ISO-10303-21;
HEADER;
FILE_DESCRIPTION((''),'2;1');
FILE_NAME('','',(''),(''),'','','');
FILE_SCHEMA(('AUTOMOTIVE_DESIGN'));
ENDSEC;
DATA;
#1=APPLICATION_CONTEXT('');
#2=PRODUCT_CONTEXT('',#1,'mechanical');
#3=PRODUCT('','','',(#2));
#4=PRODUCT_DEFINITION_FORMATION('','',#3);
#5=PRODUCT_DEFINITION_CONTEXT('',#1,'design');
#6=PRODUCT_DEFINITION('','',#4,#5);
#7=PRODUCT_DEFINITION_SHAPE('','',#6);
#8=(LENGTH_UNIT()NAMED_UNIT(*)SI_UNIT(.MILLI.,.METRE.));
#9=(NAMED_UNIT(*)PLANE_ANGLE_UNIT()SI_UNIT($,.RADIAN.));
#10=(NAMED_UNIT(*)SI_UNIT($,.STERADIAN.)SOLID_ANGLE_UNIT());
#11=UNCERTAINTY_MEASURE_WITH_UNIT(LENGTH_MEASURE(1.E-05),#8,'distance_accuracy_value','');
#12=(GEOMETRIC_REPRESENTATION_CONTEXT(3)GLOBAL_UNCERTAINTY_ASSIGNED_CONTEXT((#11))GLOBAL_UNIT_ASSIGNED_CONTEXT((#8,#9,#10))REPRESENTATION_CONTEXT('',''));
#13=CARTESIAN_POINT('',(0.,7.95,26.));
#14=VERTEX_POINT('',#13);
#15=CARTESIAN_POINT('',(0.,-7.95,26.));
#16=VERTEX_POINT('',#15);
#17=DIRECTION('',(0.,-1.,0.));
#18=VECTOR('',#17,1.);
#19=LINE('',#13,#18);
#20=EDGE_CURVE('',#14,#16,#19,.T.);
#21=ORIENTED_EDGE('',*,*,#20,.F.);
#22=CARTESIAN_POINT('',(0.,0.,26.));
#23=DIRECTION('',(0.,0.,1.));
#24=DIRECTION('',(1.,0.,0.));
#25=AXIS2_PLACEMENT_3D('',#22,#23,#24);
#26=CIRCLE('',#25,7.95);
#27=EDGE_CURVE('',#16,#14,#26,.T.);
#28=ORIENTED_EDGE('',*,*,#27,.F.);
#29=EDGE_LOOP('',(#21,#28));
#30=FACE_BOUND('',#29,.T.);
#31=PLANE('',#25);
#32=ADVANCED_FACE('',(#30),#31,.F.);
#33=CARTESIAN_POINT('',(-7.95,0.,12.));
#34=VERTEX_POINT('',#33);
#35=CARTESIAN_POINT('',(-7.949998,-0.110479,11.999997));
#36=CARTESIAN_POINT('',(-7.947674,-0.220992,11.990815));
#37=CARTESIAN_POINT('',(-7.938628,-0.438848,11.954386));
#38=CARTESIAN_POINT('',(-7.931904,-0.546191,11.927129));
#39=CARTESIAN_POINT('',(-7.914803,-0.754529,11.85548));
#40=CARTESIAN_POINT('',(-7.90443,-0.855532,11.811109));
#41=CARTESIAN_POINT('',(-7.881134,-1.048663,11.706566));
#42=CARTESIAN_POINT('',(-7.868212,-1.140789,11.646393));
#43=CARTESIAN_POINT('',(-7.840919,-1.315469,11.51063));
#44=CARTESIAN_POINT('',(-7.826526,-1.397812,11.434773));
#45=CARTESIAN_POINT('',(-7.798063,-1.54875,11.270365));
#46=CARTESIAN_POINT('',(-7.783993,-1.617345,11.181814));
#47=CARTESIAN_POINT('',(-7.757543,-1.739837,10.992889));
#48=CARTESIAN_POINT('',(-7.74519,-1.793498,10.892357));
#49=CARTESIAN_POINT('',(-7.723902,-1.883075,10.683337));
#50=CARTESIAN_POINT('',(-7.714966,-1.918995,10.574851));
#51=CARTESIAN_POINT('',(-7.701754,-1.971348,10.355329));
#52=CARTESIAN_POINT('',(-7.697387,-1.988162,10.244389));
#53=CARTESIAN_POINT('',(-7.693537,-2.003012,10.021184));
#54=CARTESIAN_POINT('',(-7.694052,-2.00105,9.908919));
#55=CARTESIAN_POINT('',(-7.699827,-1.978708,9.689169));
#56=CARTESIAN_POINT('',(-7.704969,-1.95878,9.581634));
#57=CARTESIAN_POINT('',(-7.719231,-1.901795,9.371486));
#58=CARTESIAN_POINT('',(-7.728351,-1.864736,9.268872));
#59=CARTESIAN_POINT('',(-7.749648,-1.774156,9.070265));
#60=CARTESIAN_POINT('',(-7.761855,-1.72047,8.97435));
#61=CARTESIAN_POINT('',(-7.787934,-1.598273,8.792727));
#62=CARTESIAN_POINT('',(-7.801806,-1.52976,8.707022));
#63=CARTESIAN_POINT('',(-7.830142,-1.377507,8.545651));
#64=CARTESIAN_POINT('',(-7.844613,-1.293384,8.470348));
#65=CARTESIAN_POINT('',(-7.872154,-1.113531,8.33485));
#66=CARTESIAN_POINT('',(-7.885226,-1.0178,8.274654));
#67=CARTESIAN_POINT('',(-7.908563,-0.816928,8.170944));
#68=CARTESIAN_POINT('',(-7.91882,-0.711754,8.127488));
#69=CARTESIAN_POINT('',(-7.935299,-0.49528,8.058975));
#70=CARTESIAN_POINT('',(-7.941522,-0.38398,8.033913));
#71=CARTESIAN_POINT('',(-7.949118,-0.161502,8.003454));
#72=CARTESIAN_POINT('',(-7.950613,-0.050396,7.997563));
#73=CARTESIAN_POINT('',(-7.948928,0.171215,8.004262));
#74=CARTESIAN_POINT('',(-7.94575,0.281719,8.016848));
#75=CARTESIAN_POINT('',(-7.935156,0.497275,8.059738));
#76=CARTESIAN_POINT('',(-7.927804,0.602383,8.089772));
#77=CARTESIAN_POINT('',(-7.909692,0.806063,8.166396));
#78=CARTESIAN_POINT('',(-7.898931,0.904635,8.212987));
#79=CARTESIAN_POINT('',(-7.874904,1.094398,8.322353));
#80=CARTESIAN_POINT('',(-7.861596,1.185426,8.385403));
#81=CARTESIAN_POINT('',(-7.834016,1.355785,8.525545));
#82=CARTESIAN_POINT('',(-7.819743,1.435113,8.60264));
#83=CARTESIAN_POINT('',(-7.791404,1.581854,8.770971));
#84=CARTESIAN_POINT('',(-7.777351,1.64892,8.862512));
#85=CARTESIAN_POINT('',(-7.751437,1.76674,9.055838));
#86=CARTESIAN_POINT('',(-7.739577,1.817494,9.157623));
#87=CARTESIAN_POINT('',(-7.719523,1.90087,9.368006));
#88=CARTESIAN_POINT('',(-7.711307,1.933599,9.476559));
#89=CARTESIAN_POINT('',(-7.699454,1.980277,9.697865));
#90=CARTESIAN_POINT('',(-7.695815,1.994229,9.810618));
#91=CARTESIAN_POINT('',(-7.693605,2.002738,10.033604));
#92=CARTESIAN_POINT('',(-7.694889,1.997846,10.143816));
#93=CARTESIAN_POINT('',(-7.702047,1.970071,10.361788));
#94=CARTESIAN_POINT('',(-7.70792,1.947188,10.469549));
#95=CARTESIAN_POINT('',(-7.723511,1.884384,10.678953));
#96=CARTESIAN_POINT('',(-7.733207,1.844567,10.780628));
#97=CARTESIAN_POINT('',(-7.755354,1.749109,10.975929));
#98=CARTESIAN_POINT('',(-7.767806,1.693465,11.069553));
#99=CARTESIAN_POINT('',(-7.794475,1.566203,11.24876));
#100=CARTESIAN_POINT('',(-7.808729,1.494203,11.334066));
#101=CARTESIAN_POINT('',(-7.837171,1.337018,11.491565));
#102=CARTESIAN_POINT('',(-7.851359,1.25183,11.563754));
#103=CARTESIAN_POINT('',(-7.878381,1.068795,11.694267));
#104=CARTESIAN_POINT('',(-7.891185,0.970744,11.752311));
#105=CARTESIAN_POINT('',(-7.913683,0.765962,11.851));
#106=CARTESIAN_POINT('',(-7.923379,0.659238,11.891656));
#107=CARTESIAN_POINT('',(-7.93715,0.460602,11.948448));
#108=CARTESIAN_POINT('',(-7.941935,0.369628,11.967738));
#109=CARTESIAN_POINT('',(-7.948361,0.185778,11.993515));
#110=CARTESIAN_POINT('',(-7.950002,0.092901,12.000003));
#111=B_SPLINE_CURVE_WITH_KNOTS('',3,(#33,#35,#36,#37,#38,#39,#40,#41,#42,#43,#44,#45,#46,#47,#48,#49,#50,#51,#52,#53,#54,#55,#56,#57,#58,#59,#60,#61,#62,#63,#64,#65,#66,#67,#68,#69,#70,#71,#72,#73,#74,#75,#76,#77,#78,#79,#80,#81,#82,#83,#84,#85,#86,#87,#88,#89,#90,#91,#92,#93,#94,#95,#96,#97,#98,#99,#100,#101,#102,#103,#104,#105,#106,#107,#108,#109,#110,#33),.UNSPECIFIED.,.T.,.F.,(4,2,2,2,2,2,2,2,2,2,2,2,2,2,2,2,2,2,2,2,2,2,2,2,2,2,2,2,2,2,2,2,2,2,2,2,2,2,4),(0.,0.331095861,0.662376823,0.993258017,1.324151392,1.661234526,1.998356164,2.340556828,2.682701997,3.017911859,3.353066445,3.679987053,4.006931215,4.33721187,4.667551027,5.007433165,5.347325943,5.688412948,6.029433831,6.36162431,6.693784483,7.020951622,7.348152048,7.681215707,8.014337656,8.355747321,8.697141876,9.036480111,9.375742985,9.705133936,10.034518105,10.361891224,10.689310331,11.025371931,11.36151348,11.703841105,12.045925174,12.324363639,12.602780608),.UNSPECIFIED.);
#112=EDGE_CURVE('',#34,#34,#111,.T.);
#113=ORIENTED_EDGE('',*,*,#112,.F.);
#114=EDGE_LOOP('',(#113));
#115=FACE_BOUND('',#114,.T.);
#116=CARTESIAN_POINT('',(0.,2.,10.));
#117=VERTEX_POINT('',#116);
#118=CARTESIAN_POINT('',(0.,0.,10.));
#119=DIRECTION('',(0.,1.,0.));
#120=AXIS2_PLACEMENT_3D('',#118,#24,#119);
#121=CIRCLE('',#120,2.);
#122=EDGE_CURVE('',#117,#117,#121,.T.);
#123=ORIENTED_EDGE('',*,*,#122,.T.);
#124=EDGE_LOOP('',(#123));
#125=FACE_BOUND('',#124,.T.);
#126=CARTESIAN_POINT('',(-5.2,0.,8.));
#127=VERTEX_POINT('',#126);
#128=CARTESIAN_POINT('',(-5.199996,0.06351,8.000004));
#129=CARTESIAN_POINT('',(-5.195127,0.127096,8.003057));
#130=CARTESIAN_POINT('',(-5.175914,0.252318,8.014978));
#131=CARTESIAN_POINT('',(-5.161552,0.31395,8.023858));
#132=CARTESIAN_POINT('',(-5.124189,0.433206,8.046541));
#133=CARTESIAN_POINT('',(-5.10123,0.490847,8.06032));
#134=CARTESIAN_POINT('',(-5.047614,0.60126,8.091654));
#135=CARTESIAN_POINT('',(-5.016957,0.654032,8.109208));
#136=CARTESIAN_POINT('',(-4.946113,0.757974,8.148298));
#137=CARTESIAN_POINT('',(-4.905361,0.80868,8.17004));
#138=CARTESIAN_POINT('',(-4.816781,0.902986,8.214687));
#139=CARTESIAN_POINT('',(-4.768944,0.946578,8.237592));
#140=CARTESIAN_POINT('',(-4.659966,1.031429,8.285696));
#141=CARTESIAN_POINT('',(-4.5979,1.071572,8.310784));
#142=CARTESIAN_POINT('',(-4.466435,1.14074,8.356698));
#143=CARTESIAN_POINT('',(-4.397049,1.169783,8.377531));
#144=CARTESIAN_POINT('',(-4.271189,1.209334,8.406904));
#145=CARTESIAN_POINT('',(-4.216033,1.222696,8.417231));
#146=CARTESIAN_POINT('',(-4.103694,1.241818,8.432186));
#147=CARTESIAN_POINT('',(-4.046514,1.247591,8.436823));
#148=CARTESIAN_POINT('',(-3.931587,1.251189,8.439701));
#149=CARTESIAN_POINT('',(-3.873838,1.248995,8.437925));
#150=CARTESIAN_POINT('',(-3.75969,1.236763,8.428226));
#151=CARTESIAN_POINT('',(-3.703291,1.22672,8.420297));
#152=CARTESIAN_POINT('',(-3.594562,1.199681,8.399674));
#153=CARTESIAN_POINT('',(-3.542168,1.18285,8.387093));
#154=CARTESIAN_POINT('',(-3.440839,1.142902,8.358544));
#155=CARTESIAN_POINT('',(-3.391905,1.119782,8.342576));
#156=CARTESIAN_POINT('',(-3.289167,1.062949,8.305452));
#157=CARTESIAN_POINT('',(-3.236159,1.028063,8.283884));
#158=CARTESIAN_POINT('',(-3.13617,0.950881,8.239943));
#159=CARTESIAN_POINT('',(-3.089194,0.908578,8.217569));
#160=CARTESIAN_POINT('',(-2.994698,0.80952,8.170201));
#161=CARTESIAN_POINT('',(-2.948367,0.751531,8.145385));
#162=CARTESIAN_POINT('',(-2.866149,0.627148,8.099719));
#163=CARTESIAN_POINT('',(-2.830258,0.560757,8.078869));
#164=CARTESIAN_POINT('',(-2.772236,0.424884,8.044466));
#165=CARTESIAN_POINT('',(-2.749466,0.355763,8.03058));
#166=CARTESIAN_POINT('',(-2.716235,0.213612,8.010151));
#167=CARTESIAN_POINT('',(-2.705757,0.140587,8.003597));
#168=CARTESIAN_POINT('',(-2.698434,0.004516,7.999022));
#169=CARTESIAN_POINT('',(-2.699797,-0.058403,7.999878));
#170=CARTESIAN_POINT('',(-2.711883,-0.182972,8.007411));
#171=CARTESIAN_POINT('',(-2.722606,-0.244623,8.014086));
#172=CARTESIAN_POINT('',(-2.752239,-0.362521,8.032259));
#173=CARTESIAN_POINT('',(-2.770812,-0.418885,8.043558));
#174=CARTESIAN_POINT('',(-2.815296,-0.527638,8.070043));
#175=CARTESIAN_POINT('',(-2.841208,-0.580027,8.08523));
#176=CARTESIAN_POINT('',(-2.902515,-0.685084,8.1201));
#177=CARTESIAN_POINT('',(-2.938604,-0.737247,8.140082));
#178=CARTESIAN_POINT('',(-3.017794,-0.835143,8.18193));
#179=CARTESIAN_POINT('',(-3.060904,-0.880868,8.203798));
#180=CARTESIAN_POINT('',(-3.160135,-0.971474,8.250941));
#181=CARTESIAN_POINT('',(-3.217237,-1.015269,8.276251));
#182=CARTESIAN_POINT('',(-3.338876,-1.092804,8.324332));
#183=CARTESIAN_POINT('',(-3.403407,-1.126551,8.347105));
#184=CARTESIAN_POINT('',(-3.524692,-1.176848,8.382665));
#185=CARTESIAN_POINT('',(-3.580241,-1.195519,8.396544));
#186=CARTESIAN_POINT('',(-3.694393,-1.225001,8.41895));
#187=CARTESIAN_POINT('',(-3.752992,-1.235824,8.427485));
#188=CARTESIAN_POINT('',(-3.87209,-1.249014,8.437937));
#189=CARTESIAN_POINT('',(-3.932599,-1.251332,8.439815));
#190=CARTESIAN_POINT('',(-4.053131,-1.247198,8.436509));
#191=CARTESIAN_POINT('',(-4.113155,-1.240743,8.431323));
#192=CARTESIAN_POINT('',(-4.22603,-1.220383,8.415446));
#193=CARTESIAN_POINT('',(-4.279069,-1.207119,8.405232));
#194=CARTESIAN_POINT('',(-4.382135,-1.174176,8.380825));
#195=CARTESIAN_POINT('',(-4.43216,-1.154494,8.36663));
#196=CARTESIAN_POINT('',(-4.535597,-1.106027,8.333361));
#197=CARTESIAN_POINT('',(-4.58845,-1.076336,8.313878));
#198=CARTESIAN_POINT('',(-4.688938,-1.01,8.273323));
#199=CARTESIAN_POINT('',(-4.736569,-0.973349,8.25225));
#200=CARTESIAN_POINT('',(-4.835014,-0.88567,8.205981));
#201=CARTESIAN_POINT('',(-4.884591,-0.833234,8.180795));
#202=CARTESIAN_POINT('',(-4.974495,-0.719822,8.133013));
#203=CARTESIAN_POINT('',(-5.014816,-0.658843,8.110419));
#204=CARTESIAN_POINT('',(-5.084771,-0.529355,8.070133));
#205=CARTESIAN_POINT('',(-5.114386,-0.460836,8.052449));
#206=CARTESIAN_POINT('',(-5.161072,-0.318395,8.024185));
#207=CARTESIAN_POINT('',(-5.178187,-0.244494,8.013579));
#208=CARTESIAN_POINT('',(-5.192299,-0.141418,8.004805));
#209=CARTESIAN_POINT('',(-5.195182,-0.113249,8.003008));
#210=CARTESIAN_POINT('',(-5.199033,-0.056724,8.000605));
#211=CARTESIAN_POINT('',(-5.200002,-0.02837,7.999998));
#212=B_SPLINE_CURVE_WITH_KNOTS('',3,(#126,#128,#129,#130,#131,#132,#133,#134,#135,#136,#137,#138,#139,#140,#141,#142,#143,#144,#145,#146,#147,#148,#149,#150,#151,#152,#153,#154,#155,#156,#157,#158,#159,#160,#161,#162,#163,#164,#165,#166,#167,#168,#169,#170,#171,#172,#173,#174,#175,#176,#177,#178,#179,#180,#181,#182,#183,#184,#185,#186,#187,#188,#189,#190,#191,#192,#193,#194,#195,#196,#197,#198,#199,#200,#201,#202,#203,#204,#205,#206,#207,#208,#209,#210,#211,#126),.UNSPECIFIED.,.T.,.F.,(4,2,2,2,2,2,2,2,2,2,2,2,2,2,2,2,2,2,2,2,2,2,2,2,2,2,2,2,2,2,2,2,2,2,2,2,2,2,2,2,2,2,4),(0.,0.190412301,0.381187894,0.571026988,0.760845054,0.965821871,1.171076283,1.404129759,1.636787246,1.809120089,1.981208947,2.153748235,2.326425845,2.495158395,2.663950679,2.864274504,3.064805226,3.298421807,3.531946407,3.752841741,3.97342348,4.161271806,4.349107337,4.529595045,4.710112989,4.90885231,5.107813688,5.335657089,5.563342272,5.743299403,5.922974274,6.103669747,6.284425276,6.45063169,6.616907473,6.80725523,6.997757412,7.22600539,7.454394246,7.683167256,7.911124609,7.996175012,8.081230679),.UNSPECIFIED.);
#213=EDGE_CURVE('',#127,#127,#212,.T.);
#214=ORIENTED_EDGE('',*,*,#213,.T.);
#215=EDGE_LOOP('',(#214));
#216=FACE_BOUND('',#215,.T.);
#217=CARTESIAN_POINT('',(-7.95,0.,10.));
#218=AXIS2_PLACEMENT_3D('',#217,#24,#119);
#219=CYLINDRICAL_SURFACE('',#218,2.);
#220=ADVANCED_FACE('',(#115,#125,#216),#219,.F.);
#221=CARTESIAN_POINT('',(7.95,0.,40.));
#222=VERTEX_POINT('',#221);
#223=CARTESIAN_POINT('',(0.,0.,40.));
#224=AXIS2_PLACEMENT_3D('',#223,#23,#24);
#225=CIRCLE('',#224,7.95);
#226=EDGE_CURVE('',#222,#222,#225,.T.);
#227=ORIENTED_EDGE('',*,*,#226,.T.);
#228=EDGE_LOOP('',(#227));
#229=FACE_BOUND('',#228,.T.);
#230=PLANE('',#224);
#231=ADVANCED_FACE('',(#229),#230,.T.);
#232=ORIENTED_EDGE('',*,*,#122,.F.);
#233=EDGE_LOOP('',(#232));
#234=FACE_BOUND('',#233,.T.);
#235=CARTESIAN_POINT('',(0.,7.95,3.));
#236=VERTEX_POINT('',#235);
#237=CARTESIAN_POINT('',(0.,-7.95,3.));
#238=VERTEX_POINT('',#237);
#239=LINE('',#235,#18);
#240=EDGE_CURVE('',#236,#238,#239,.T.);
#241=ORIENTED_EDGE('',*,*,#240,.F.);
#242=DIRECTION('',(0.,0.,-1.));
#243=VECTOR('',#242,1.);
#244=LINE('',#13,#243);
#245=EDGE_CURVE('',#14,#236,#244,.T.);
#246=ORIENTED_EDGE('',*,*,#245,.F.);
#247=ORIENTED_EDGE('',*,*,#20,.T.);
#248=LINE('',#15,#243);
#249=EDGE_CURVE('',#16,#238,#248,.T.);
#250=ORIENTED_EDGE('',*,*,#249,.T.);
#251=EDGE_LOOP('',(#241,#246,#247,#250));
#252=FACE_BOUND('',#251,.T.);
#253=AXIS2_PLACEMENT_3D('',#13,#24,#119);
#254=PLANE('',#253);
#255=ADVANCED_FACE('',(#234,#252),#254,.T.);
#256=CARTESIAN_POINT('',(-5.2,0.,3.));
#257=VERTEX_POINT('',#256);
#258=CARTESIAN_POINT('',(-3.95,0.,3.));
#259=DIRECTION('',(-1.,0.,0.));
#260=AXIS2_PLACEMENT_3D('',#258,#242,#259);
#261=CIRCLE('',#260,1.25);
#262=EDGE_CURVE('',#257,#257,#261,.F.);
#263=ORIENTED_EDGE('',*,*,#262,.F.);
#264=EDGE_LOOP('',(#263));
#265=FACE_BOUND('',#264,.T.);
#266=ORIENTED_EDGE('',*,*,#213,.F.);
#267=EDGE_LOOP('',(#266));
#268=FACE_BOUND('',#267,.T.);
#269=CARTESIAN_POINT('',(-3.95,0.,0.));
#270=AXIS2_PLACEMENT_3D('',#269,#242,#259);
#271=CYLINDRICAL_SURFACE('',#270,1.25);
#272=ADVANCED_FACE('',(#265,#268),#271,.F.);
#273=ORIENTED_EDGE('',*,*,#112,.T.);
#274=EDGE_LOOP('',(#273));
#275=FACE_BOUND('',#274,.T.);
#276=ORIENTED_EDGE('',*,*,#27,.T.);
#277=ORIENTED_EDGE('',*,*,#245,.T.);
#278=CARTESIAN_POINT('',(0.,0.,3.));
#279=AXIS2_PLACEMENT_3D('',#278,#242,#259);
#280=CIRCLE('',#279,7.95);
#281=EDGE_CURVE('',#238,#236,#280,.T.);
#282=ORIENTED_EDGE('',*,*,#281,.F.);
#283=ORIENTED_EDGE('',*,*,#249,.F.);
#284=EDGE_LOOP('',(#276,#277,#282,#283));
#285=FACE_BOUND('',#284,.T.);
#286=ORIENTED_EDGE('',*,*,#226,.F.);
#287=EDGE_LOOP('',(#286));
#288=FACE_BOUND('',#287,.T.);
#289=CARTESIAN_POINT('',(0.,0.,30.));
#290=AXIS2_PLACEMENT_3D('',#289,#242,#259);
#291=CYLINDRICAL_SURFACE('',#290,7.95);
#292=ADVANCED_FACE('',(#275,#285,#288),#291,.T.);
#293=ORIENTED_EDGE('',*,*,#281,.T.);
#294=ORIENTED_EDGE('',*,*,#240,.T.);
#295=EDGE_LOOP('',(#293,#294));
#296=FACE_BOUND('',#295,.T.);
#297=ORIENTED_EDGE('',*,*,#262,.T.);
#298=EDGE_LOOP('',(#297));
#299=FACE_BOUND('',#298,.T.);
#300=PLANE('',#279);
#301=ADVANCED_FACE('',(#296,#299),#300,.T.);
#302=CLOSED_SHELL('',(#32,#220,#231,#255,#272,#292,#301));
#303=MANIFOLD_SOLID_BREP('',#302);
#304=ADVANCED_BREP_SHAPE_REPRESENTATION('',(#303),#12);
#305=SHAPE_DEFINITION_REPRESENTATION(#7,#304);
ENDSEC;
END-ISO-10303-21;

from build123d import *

# Parameters (mm, degrees)
SKETCH_1_R          = 7.95
EXTRUDE_1_DEPTH     = 30
SKETCH_2_R          = 7.95
EXTRUDE_2_DEPTH     = 10
SKETCH_3_W          = 7.95
SKETCH_3_H          = 15.9
CUT_EXTRUDE_1_DEPTH = 26
SKETCH_4_R          = 2
CUT_EXTRUDE_2_DEPTH = 42.550030084
M3X0_5_1_REACH      = 43.55
M3X0_5_1_BORE_R     = 1.25
CUT_EXTRUDE_3_DEPTH = 39.670466911


with BuildPart() as part:
    # ｽｹｯﾁ1 → ﾎﾞｽ - 押し出し1 (new body)
    with BuildSketch(Plane.XY):
        Circle(SKETCH_1_R)
    extrude(amount=EXTRUDE_1_DEPTH)

    # ｽｹｯﾁ2 → ﾎﾞｽ - 押し出し2 (add)
    with BuildSketch(Plane.XY.offset(30)):
        Circle(SKETCH_2_R)
    extrude(amount=EXTRUDE_2_DEPTH)

    # ｽｹｯﾁ3 → ｶｯﾄ - 押し出し1 (cut)
    with BuildSketch(Plane(origin=(0, 0, 0), x_dir=(-1, 0, 0), z_dir=(0, 0, -1))):
        with Locations((-3.975, 0)):
            Rectangle(SKETCH_3_W, SKETCH_3_H)
    extrude(amount=-CUT_EXTRUDE_1_DEPTH, mode=Mode.SUBTRACT)

    # ｽｹｯﾁ4 → ｶｯﾄ - 押し出し2 (cut, through all)
    with BuildSketch(Plane(origin=(0, 0, 0), x_dir=(0, 0, -1), z_dir=(1, 0, 0))):
        with Locations(Location((-10, 0, 0), (0, 0, 90))):
            Circle(SKETCH_4_R)
    extrude(amount=-CUT_EXTRUDE_2_DEPTH, mode=Mode.SUBTRACT)

    # M3x0.5 ねじ穴1 bore → M3x0.5 ねじ穴1 (cut, up to next)
    with BuildSketch(Plane(origin=(0, 0, 0), x_dir=(-1, 0, 0), z_dir=(0, 0, -1)), mode=Mode.PRIVATE) as m3x0_5_1_sk1:
        with Locations((3.95, 0)):
            Circle(M3X0_5_1_BORE_R)
    m3x0_5_1_tool1 = extrude(m3x0_5_1_sk1.sketch, amount=-M3X0_5_1_REACH, mode=Mode.PRIVATE) & part.part
    add(m3x0_5_1_tool1.solids().sort_by_distance((-3.95, 0, 0))[0], mode=Mode.SUBTRACT)

    # ｽｹｯﾁ7 → ｶｯﾄ - 押し出し3 (cut, through all)
    with BuildSketch(Plane(origin=(0, 0, 3), x_dir=(-1, 0, 0), z_dir=(0, 0, -1))):
        with BuildLine():
            Line((0, 7.95), (0, -7.95))
            ThreePointArc((0, -7.95), (7.95, 0), (0, 7.95))
        make_face()
    extrude(amount=CUT_EXTRUDE_3_DEPTH, mode=Mode.SUBTRACT)


solid = part.part
